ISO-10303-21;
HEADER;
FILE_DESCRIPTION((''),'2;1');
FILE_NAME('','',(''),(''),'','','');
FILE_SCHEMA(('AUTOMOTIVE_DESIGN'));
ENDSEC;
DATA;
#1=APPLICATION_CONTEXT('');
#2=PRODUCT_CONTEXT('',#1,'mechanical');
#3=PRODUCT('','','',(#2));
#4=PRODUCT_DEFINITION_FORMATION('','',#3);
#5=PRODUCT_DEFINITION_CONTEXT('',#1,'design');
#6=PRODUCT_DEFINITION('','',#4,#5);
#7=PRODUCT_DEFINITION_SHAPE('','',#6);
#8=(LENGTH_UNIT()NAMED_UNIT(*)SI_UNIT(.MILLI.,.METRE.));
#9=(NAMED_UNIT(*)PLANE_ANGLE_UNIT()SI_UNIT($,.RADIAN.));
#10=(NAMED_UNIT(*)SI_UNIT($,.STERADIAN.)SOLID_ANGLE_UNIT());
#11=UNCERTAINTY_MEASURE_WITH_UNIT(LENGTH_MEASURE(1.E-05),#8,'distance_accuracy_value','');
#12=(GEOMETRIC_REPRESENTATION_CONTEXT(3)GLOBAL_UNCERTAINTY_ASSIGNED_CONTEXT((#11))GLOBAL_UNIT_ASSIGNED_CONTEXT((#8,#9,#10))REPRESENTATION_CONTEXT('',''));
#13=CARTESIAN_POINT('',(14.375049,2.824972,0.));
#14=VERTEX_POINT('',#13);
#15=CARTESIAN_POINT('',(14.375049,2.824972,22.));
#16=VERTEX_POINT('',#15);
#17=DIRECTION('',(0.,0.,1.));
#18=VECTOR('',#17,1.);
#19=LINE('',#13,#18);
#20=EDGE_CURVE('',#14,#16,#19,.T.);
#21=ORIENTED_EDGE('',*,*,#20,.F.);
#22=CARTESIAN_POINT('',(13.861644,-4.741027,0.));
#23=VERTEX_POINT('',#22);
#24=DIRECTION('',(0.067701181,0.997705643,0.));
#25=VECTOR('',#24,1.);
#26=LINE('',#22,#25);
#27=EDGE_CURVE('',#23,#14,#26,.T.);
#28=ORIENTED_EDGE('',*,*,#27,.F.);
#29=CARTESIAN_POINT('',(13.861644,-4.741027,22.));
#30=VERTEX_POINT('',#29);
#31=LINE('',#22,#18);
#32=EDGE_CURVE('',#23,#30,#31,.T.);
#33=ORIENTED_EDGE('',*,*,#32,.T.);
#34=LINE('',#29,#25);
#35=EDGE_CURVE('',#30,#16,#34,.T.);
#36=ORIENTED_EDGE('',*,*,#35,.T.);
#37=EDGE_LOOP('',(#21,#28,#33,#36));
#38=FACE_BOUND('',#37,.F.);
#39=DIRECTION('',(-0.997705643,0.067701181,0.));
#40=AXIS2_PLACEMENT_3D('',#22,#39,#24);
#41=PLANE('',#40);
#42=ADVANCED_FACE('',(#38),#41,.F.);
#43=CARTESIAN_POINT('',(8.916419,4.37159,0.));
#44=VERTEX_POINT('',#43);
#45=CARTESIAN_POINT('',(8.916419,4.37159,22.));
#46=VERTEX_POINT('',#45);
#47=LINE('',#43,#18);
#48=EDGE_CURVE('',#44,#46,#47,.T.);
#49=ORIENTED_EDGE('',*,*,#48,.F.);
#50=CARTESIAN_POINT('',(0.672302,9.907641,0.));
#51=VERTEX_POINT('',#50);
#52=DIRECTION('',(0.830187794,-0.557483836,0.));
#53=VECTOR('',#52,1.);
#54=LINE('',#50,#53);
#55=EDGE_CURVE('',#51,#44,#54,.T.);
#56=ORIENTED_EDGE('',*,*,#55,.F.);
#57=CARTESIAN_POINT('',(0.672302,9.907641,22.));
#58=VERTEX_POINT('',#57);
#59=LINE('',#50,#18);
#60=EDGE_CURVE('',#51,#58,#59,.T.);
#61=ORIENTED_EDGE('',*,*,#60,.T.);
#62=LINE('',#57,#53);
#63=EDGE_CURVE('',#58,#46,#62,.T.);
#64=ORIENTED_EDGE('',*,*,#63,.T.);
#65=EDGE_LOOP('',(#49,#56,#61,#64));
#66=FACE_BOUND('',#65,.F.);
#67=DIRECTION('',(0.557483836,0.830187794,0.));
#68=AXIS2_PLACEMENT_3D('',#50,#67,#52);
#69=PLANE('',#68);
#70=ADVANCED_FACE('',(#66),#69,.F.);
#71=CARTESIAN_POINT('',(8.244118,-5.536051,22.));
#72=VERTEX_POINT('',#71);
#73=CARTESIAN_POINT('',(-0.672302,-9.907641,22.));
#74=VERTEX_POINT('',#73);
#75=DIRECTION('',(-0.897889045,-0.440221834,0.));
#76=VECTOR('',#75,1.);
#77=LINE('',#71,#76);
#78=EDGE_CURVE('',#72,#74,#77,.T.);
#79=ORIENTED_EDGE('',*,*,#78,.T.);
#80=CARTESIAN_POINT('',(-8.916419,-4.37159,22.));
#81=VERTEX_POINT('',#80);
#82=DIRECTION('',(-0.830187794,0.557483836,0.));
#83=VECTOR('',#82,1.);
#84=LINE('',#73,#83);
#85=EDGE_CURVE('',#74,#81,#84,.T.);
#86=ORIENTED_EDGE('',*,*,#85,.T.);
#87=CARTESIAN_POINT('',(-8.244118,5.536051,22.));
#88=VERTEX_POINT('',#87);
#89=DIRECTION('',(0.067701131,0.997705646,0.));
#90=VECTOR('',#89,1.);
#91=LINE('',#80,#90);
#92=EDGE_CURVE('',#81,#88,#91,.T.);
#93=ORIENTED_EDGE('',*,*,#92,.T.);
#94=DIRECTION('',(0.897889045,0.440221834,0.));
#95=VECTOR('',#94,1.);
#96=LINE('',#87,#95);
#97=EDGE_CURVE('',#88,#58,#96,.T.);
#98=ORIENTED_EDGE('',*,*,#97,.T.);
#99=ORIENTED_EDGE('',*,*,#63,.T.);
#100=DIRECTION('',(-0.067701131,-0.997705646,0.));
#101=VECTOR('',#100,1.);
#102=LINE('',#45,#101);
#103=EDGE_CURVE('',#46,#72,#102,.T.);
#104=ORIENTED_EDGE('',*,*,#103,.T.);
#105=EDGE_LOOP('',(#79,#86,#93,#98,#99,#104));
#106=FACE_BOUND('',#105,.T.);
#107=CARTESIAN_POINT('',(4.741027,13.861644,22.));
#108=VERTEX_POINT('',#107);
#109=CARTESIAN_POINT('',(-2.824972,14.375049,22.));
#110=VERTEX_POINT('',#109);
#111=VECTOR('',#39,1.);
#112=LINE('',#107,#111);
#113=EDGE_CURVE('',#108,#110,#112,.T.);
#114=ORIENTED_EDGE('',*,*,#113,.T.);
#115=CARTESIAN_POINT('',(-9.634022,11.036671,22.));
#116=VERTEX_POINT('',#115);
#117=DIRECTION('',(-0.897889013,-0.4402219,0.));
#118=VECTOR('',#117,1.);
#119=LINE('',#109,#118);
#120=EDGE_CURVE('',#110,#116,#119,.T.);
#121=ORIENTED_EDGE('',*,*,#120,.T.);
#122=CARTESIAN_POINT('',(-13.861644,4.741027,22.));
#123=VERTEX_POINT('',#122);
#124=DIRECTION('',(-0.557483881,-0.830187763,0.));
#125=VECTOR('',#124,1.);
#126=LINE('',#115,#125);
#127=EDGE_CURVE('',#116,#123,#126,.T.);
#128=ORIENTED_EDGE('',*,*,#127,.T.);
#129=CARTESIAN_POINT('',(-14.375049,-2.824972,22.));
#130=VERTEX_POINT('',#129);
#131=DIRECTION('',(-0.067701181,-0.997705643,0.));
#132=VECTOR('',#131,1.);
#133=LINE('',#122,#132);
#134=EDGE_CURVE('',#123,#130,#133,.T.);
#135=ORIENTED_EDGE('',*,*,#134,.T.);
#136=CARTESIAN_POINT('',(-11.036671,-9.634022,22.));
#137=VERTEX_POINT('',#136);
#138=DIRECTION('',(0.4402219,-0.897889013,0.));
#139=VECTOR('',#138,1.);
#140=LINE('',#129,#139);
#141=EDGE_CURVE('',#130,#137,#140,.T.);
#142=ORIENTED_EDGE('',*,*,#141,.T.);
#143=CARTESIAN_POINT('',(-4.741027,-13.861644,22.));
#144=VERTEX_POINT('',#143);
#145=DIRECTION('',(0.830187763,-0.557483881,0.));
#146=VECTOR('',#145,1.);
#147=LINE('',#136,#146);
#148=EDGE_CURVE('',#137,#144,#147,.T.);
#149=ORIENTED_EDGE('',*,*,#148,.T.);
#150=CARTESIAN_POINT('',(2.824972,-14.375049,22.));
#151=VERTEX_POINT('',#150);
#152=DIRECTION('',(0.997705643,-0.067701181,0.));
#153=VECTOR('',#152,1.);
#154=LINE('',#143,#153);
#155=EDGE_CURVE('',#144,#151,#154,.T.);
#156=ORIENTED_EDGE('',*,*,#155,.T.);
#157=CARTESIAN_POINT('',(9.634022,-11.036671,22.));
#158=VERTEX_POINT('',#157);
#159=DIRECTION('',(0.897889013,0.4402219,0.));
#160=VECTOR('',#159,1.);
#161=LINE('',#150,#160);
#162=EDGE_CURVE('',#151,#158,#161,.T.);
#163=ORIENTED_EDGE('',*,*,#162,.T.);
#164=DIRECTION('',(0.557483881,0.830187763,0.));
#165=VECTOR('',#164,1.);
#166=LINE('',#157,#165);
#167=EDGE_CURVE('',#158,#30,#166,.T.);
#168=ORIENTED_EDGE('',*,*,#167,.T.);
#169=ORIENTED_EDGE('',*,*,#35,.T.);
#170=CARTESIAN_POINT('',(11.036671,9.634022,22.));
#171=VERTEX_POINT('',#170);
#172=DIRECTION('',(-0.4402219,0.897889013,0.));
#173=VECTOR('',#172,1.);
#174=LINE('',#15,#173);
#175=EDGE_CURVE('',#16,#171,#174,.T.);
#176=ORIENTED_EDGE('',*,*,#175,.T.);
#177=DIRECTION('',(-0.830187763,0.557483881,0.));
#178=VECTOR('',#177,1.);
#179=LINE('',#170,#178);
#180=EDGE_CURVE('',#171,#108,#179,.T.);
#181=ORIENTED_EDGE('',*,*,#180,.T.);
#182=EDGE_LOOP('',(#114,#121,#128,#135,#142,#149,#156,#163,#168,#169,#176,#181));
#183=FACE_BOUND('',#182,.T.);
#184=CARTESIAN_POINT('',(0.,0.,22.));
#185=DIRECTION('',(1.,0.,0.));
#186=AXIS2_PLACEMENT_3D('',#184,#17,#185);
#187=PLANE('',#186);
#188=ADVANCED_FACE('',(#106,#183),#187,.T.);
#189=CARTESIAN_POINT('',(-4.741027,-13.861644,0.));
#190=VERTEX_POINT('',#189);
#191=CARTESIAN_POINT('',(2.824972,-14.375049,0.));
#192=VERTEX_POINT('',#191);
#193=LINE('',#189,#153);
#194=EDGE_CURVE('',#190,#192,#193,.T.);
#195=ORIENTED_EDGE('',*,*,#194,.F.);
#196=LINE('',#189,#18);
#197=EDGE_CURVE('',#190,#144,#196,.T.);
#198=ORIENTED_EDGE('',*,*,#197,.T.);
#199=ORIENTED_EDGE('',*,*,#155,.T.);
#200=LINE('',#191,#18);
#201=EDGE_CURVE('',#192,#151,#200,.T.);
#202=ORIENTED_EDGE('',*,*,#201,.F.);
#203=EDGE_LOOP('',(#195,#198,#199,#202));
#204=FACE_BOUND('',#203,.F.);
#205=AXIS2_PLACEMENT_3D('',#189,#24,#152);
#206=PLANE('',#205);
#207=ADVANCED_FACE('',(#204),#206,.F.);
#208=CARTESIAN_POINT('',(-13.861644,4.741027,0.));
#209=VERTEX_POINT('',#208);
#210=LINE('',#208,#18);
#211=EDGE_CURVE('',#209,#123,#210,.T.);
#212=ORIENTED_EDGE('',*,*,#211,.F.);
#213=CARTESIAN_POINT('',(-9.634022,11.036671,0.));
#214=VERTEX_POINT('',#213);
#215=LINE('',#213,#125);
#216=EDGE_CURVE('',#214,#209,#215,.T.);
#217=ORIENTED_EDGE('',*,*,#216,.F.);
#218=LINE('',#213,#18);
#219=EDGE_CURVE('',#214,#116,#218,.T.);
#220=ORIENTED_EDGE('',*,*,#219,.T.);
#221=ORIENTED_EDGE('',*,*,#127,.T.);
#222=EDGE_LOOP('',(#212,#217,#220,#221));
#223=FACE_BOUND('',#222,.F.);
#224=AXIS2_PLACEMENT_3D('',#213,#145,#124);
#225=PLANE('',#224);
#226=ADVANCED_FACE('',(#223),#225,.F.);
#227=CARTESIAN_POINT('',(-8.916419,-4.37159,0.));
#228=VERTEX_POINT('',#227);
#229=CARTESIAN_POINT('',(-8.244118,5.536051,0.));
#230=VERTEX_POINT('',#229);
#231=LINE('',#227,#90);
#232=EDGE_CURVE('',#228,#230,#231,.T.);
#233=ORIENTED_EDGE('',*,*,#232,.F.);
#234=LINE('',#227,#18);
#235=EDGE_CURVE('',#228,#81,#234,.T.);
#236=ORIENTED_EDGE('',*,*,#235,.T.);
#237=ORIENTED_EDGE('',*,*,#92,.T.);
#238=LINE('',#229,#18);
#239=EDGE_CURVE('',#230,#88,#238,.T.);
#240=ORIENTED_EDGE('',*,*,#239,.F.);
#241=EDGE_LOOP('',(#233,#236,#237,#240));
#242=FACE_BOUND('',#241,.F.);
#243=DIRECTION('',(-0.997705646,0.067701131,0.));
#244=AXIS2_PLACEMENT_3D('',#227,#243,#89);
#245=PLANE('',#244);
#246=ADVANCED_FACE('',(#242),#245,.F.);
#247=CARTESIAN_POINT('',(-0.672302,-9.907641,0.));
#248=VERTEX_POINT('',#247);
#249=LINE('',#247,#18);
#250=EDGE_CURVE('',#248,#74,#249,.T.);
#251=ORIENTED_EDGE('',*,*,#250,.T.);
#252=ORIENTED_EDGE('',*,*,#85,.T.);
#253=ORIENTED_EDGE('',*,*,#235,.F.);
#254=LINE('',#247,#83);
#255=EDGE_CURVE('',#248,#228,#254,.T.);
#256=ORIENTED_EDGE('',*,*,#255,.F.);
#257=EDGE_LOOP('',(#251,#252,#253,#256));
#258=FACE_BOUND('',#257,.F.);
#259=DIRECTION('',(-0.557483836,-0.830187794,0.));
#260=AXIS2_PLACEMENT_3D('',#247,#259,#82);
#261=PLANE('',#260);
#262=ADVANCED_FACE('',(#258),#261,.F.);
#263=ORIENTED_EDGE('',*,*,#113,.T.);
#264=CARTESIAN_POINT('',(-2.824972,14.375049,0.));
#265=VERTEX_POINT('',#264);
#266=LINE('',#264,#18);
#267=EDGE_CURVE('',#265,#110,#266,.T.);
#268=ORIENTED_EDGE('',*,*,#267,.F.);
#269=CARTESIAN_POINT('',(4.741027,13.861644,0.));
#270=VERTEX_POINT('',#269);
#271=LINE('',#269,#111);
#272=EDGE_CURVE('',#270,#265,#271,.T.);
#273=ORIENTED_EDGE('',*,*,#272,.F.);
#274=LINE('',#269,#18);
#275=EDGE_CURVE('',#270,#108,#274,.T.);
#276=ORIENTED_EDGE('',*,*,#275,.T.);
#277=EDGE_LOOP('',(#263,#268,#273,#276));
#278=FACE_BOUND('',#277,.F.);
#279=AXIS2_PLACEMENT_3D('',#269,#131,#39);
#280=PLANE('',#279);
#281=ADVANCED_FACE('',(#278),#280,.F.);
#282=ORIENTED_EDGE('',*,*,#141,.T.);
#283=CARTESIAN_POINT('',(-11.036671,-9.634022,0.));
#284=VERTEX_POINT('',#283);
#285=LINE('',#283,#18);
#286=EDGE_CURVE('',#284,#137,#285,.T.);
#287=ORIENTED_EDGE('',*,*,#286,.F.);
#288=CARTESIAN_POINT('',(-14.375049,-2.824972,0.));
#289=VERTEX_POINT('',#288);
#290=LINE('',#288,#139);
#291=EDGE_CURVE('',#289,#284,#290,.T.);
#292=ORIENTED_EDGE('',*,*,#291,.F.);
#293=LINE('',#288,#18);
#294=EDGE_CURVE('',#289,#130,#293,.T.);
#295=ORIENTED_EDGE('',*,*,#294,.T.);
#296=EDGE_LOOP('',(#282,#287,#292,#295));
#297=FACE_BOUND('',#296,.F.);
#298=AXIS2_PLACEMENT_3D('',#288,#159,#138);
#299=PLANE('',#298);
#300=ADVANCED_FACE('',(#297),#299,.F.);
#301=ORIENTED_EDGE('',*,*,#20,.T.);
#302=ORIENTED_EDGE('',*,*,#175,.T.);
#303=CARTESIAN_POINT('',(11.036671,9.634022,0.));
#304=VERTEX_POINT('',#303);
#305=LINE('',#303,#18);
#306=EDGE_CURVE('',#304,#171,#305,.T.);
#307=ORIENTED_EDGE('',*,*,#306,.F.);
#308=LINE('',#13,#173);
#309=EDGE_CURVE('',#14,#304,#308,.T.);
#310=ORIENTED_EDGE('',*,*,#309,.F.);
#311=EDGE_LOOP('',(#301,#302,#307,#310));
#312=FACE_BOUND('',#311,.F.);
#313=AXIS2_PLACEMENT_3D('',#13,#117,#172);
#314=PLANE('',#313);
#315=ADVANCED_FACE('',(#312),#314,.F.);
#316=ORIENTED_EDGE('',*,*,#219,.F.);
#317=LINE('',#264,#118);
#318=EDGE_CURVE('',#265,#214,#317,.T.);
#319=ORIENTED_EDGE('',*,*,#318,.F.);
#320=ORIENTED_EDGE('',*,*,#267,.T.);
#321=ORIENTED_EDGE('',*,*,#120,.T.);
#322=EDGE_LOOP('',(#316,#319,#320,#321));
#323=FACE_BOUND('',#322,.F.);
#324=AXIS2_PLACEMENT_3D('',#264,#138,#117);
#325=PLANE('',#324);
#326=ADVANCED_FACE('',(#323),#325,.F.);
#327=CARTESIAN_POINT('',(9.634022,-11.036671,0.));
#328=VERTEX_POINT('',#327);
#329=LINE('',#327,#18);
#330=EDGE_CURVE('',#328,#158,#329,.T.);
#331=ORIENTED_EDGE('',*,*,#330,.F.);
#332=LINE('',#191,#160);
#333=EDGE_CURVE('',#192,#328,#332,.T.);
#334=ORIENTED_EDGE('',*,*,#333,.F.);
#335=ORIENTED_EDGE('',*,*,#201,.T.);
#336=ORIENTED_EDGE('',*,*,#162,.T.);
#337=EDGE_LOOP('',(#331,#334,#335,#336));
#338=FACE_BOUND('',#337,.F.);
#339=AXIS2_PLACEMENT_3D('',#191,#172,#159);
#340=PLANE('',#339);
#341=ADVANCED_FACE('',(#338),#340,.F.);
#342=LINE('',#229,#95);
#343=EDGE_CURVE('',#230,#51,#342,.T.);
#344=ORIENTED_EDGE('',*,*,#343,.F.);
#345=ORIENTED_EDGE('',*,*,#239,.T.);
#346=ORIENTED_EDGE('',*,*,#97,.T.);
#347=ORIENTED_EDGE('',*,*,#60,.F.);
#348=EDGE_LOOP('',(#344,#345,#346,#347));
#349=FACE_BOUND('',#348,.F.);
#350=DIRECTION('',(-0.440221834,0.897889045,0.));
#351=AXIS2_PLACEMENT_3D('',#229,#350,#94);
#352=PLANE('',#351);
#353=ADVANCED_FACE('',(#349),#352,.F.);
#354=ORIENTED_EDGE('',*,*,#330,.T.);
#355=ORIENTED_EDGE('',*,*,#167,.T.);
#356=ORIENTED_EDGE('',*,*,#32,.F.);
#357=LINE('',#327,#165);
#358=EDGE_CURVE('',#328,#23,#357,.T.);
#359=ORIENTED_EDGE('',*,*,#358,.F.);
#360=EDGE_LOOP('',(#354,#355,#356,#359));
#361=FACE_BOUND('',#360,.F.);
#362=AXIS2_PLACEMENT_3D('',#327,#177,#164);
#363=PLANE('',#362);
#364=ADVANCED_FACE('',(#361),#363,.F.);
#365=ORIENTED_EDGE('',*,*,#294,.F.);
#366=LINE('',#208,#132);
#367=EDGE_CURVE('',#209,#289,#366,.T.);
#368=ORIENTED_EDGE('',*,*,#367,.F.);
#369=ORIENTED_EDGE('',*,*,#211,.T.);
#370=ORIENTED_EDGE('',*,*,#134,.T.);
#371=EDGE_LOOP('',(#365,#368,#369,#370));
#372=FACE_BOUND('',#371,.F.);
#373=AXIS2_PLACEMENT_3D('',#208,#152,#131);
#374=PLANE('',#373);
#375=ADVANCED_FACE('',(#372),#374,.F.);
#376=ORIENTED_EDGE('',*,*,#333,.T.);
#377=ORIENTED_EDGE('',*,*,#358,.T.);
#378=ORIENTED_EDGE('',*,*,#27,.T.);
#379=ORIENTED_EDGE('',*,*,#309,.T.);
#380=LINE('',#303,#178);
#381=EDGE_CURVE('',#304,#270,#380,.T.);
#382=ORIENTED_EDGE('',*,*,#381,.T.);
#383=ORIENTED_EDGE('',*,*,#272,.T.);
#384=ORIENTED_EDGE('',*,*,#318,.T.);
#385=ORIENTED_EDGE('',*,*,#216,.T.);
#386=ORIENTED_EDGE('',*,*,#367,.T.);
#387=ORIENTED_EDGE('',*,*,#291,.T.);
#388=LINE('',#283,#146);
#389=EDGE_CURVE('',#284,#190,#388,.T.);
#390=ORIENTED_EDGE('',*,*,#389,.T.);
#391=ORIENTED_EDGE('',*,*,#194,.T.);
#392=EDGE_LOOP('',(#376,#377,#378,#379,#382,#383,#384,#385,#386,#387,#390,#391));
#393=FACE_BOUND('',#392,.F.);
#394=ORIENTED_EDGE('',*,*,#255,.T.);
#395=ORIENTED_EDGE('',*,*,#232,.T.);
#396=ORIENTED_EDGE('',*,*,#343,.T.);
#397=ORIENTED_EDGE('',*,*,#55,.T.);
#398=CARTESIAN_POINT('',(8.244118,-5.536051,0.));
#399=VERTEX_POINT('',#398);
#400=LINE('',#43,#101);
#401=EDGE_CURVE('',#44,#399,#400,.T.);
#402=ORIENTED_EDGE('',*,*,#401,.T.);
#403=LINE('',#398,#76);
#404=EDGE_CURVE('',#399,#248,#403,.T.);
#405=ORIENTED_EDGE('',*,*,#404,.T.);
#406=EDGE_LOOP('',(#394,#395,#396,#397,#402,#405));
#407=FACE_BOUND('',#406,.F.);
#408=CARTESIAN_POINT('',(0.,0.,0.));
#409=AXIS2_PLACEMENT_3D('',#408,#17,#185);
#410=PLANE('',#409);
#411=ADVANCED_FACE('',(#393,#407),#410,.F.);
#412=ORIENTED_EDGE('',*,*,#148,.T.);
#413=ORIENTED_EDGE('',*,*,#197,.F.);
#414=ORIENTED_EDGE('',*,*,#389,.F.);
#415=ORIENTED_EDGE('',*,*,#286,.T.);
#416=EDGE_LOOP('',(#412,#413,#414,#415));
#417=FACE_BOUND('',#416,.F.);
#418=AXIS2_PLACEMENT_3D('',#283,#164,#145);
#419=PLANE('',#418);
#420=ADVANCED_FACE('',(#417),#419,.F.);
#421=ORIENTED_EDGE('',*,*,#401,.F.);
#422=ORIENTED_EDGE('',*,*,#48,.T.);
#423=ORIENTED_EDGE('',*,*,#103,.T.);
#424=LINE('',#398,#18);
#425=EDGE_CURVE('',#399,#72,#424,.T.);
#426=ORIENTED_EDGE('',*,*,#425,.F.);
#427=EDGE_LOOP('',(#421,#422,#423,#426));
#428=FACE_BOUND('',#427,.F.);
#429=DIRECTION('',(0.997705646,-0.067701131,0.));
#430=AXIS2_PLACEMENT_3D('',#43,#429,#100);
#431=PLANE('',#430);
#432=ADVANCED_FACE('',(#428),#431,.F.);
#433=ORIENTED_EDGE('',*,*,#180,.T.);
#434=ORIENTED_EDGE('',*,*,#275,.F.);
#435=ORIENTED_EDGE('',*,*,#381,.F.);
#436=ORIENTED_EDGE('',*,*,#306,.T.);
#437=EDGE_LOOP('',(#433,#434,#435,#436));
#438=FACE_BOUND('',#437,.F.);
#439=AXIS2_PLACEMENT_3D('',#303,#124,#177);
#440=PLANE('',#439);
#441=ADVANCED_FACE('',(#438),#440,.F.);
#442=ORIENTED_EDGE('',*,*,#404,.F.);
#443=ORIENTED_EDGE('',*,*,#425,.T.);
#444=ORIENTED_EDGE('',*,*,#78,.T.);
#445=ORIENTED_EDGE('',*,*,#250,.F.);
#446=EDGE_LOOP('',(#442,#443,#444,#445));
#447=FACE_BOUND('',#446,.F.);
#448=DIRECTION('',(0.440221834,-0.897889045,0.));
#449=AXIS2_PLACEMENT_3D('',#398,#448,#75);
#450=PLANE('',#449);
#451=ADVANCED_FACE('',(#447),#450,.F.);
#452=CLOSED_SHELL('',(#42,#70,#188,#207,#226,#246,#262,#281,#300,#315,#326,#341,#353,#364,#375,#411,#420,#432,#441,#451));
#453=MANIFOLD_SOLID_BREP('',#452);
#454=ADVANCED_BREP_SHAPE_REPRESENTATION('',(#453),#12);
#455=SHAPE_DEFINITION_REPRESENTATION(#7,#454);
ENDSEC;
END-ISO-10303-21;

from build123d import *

# Parameters (mm, degrees)
F1_DEPTH = 22


with BuildPart() as f1:
    # F0 (on Top) → F1 (new body)
    with BuildSketch(Plane.XY):
        Polygon((13.861644, -4.741027), (14.375049, 2.824972), (11.036671, 9.634022), (4.741027, 13.861644), (-2.824972, 14.375049), (-9.634022, 11.036671), (-13.861644, 4.741027), (-14.375049, -2.824972), (-11.036671, -9.634022), (-4.741027, -13.861644), (2.824972, -14.375049), (9.634022, -11.036671), align=None)
        Polygon((-8.244118, 5.536051), (0.672302, 9.907641), (8.916419, 4.37159), (8.244118, -5.536051), (-0.672302, -9.907641), (-8.916419, -4.37159), align=None, mode=Mode.SUBTRACT)
    extrude(amount=F1_DEPTH)


solid = f1.part
